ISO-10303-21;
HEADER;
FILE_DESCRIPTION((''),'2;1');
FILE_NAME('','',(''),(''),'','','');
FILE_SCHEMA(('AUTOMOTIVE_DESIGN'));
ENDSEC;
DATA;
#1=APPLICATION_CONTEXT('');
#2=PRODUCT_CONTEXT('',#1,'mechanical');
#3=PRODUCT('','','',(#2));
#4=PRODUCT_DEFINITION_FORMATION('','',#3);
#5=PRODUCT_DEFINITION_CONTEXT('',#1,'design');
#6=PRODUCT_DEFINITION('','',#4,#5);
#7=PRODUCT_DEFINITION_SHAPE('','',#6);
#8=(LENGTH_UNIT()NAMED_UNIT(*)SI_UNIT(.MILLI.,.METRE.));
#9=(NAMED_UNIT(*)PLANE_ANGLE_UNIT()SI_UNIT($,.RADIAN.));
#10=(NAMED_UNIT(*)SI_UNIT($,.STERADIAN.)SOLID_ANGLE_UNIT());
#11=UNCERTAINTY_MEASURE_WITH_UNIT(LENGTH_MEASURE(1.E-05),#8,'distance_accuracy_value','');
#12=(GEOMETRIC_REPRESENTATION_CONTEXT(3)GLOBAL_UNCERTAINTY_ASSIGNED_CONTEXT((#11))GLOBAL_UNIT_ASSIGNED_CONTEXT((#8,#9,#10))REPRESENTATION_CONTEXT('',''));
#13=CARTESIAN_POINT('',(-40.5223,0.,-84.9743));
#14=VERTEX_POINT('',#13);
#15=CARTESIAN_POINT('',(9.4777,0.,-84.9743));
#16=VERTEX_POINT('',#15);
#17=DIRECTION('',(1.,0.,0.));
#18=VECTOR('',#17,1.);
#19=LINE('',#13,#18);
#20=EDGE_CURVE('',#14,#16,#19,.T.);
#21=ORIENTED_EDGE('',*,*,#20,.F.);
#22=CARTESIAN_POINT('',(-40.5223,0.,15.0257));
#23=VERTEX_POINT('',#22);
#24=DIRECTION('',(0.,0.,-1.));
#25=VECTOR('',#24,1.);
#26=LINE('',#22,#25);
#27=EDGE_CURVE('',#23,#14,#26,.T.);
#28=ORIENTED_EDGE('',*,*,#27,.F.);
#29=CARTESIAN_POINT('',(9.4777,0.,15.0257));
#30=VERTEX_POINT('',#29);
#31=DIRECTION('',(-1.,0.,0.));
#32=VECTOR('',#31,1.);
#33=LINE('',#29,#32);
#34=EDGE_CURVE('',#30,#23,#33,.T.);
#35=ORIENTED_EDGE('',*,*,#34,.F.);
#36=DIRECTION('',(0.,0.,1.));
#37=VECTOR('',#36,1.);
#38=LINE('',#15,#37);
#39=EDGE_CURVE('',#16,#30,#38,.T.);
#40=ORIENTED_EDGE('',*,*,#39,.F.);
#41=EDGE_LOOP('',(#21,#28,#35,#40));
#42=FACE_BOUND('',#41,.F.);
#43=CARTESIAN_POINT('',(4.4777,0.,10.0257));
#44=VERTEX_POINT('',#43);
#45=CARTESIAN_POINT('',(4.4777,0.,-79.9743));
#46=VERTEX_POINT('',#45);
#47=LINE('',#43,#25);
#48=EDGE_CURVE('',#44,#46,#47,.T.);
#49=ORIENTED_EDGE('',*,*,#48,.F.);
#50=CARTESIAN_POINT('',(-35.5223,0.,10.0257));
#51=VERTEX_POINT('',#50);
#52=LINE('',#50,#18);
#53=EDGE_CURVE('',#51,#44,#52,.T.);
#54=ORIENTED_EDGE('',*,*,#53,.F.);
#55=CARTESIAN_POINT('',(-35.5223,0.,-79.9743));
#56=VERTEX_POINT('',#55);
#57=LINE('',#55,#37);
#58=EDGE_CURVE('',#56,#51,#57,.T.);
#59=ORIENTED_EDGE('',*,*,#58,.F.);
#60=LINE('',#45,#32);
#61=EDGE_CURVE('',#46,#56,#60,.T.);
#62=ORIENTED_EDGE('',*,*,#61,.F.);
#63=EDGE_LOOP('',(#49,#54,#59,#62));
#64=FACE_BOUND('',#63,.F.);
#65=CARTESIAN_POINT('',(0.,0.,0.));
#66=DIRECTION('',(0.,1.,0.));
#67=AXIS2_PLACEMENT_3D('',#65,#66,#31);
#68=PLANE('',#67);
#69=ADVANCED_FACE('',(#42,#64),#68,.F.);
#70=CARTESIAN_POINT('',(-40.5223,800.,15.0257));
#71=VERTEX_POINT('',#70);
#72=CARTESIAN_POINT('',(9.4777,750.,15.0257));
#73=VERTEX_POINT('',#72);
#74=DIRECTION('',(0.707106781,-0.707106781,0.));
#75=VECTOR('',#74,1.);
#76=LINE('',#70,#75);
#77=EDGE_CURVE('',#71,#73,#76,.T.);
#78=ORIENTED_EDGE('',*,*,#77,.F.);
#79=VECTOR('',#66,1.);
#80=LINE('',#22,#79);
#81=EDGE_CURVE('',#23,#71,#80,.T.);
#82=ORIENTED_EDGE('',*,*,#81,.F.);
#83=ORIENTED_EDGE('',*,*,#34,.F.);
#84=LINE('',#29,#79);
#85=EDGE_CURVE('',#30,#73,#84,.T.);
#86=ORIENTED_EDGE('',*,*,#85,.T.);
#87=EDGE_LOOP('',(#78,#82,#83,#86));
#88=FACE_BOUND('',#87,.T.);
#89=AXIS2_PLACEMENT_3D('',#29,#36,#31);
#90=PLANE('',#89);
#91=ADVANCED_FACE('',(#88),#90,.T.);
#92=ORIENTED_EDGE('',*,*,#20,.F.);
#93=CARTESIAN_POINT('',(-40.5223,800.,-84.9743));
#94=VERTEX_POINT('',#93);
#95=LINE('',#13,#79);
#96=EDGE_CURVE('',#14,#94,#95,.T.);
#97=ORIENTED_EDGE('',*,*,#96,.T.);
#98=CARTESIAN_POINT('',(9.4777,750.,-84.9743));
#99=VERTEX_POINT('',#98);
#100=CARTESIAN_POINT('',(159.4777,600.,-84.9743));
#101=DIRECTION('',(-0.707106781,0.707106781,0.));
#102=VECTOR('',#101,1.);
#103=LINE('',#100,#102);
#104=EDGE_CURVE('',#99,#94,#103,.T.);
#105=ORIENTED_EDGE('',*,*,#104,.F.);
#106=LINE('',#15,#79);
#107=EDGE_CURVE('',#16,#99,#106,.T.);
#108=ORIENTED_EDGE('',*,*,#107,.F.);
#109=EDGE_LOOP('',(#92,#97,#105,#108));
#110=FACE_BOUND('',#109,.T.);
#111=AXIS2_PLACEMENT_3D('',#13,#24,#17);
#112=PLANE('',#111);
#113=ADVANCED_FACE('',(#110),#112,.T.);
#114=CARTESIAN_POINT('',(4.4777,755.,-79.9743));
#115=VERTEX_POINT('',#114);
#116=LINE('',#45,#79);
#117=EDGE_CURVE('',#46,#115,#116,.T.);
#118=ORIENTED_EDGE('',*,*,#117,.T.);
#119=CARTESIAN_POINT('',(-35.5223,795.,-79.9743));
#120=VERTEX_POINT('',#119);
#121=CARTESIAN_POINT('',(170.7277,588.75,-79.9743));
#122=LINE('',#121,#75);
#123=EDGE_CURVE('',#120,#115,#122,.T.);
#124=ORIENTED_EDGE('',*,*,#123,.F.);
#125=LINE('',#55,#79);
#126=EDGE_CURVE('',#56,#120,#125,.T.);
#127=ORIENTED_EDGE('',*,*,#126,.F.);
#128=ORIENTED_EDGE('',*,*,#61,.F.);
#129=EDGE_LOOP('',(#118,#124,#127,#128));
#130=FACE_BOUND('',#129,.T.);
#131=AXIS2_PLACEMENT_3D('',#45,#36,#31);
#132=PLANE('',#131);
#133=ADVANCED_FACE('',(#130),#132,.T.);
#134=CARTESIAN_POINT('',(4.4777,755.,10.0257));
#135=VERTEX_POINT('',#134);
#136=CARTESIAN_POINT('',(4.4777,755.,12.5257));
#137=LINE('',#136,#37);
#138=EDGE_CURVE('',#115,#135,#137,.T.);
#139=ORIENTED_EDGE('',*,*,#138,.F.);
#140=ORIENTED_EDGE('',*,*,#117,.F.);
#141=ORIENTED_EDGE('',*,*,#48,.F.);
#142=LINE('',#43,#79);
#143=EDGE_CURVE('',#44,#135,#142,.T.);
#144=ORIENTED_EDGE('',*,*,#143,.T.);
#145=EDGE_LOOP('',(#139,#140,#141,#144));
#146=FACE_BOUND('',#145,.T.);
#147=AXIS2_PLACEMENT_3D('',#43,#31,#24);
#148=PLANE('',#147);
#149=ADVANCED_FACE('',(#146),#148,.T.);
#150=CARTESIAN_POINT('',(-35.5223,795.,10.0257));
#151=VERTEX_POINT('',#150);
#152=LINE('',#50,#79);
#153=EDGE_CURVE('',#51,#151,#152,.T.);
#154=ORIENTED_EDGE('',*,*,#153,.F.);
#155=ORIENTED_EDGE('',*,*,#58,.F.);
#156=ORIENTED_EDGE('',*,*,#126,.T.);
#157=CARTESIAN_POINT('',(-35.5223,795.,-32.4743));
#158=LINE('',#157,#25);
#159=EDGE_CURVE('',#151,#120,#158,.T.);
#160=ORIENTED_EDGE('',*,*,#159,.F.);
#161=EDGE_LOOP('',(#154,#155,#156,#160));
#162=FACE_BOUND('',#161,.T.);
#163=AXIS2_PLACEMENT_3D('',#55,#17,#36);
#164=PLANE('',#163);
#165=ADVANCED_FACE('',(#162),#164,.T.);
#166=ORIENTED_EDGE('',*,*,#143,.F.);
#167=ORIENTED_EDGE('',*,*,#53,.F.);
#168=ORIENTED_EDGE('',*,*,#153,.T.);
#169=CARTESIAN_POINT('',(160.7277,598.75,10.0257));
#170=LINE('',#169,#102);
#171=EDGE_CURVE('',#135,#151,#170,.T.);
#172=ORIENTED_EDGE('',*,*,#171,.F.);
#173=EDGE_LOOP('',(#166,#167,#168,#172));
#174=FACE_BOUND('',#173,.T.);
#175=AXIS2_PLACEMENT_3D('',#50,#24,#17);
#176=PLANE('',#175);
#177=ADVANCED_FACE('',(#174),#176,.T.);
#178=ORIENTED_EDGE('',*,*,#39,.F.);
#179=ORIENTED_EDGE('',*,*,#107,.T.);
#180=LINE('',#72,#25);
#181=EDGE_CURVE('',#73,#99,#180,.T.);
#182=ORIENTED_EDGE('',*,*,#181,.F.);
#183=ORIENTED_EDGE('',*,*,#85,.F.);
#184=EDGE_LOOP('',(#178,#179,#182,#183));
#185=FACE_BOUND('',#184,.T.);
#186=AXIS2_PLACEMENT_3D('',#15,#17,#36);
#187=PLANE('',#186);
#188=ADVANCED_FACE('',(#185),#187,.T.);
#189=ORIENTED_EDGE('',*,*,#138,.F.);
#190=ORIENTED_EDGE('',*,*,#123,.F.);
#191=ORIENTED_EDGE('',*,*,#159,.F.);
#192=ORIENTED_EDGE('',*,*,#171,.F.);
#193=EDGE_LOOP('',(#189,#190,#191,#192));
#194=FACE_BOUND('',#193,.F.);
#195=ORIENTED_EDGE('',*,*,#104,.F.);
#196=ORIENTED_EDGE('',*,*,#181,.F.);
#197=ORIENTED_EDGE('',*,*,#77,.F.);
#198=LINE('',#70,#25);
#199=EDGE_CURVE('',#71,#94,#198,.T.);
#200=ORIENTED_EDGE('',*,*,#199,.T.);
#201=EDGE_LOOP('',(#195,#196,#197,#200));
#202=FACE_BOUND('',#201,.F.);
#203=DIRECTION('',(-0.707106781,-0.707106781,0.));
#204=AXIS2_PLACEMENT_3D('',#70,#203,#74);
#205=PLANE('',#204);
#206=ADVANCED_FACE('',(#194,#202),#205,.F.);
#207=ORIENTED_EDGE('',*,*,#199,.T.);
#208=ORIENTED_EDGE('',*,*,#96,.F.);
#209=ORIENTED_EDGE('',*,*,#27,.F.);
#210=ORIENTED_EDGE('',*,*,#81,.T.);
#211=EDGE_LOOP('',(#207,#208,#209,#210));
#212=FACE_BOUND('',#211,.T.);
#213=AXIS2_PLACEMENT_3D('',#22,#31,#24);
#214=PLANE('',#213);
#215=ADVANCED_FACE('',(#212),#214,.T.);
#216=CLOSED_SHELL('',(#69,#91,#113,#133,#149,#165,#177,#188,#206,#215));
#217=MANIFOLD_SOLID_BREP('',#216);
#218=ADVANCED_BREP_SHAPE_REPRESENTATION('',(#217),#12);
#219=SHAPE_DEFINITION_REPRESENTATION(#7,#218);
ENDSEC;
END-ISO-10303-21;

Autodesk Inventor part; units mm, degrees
ref_plane "YZ Plane" through (0, 0, 0) normal (1, 0, 0) x (0, 1, 0)
ref_plane "XZ Plane" through (0, 0, 0) normal (0, 1, 0) x (-1, 0, 0)
ref_plane "XY Plane" through (0, 0, 0) normal (0, 0, 1) x (1, 0, 0)
sketch "Sketch1" plane through (0, 0, 0) normal (0, 1, 0) x (-1, 0, 0)
  line L0 (-9.4777, 15.0257) -> (40.5223, 15.0257)
  line L1 (40.5223, 15.0257) -> (40.5223, -84.9743)
  line L2 (40.5223, -84.9743) -> (-9.4777, -84.9743)
  line L3 (-9.4777, -84.9743) -> (-9.4777, 15.0257)
  line L4 (35.5223, 10.0257) -> (-4.4777, 10.0257)
  line L5 (-4.4777, 10.0257) -> (-4.4777, -79.9743)
  line L6 (-4.4777, -79.9743) -> (35.5223, -79.9743)
  line L7 (35.5223, -79.9743) -> (35.5223, 10.0257)
  point P0 (0, 0)
  dimension "d0" = 50
  dimension "d1" = 100
  dimension "d2" = 5
  dimension "d3" = 90
  dimension "d4" = 5
  dimension "d5" = 40
extrude "Extrusion1" add sketch "Sketch1" along normal blind 800
sketch "Sketch3" plane through (-40.5223, 0, 15.0257) normal (0, 0, 1) x (1, 0, 0)
  line L0 (0, 0) -> (0, 800) projected
  line L1 (0, 800) -> (50, 750)
  line L2 (0, 800) -> (70.7107, 800) construction
  line L3 (50, 800) -> (0, 800) projected
  line L4 (0, 800) -> (50, 800)
  line L5 (50, 800) -> (50, 750)
  line L6 (50, 0) -> (50, 800) projected
  point P0 (40.5223, 0)
  dimension "d8" = 45
extrude "Extrusion2" cut sketch "Sketch3" against normal blind 800
properties part number "PerfilV1"
